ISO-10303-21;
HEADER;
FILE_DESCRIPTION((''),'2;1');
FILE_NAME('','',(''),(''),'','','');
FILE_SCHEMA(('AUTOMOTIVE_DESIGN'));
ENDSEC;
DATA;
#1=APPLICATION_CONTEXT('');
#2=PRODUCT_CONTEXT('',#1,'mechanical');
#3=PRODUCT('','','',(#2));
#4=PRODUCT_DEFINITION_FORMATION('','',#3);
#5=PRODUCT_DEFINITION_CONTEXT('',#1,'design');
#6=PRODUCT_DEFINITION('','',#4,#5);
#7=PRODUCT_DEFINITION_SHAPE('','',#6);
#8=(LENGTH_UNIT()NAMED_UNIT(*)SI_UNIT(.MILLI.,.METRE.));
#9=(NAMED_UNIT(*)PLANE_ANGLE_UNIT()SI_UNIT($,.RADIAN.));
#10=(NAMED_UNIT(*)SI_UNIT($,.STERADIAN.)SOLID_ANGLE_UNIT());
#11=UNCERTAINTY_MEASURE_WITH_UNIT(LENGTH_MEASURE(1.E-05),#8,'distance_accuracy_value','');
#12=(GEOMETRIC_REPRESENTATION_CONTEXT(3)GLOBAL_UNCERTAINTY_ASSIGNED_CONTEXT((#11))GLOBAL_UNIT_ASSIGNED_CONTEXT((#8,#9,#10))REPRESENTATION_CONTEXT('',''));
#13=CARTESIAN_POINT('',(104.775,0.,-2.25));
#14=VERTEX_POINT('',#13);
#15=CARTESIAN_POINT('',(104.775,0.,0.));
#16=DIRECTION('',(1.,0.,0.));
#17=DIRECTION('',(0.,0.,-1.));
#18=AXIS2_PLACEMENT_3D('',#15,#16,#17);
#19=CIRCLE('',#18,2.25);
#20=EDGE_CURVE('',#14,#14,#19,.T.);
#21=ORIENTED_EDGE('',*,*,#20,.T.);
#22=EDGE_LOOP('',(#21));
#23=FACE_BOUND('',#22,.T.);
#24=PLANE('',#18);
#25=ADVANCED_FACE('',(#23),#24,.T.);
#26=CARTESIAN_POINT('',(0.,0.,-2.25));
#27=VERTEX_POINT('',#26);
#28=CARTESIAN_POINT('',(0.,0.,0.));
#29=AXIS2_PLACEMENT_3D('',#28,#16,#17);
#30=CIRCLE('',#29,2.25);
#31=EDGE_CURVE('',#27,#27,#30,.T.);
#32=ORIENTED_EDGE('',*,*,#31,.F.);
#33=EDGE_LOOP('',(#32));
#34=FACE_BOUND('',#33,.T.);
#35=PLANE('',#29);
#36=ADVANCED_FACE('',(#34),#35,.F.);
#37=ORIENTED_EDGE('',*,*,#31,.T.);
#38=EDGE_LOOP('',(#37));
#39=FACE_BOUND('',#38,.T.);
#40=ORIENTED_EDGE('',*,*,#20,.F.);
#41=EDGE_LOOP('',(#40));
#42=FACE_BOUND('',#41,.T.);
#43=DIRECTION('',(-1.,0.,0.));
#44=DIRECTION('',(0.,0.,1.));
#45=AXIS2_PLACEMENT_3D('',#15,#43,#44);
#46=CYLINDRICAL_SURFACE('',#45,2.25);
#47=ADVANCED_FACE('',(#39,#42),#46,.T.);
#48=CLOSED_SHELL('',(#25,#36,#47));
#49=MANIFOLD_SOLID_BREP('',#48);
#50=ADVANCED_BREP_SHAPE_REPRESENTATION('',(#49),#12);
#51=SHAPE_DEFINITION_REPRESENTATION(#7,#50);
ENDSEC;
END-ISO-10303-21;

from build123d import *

# Parameters (mm, degrees)
SKETCH2_R          = 2.25
BASE_EXTRUDE_DEPTH = 104.775


with BuildPart() as part:
    # Sketch2 → Base-Extrude (new body)
    with BuildSketch(Plane(origin=(0, 0, 0), x_dir=(0, 0, -1), z_dir=(1, 0, 0))):
        Circle(SKETCH2_R)
    extrude(amount=BASE_EXTRUDE_DEPTH)


solid = part.part
